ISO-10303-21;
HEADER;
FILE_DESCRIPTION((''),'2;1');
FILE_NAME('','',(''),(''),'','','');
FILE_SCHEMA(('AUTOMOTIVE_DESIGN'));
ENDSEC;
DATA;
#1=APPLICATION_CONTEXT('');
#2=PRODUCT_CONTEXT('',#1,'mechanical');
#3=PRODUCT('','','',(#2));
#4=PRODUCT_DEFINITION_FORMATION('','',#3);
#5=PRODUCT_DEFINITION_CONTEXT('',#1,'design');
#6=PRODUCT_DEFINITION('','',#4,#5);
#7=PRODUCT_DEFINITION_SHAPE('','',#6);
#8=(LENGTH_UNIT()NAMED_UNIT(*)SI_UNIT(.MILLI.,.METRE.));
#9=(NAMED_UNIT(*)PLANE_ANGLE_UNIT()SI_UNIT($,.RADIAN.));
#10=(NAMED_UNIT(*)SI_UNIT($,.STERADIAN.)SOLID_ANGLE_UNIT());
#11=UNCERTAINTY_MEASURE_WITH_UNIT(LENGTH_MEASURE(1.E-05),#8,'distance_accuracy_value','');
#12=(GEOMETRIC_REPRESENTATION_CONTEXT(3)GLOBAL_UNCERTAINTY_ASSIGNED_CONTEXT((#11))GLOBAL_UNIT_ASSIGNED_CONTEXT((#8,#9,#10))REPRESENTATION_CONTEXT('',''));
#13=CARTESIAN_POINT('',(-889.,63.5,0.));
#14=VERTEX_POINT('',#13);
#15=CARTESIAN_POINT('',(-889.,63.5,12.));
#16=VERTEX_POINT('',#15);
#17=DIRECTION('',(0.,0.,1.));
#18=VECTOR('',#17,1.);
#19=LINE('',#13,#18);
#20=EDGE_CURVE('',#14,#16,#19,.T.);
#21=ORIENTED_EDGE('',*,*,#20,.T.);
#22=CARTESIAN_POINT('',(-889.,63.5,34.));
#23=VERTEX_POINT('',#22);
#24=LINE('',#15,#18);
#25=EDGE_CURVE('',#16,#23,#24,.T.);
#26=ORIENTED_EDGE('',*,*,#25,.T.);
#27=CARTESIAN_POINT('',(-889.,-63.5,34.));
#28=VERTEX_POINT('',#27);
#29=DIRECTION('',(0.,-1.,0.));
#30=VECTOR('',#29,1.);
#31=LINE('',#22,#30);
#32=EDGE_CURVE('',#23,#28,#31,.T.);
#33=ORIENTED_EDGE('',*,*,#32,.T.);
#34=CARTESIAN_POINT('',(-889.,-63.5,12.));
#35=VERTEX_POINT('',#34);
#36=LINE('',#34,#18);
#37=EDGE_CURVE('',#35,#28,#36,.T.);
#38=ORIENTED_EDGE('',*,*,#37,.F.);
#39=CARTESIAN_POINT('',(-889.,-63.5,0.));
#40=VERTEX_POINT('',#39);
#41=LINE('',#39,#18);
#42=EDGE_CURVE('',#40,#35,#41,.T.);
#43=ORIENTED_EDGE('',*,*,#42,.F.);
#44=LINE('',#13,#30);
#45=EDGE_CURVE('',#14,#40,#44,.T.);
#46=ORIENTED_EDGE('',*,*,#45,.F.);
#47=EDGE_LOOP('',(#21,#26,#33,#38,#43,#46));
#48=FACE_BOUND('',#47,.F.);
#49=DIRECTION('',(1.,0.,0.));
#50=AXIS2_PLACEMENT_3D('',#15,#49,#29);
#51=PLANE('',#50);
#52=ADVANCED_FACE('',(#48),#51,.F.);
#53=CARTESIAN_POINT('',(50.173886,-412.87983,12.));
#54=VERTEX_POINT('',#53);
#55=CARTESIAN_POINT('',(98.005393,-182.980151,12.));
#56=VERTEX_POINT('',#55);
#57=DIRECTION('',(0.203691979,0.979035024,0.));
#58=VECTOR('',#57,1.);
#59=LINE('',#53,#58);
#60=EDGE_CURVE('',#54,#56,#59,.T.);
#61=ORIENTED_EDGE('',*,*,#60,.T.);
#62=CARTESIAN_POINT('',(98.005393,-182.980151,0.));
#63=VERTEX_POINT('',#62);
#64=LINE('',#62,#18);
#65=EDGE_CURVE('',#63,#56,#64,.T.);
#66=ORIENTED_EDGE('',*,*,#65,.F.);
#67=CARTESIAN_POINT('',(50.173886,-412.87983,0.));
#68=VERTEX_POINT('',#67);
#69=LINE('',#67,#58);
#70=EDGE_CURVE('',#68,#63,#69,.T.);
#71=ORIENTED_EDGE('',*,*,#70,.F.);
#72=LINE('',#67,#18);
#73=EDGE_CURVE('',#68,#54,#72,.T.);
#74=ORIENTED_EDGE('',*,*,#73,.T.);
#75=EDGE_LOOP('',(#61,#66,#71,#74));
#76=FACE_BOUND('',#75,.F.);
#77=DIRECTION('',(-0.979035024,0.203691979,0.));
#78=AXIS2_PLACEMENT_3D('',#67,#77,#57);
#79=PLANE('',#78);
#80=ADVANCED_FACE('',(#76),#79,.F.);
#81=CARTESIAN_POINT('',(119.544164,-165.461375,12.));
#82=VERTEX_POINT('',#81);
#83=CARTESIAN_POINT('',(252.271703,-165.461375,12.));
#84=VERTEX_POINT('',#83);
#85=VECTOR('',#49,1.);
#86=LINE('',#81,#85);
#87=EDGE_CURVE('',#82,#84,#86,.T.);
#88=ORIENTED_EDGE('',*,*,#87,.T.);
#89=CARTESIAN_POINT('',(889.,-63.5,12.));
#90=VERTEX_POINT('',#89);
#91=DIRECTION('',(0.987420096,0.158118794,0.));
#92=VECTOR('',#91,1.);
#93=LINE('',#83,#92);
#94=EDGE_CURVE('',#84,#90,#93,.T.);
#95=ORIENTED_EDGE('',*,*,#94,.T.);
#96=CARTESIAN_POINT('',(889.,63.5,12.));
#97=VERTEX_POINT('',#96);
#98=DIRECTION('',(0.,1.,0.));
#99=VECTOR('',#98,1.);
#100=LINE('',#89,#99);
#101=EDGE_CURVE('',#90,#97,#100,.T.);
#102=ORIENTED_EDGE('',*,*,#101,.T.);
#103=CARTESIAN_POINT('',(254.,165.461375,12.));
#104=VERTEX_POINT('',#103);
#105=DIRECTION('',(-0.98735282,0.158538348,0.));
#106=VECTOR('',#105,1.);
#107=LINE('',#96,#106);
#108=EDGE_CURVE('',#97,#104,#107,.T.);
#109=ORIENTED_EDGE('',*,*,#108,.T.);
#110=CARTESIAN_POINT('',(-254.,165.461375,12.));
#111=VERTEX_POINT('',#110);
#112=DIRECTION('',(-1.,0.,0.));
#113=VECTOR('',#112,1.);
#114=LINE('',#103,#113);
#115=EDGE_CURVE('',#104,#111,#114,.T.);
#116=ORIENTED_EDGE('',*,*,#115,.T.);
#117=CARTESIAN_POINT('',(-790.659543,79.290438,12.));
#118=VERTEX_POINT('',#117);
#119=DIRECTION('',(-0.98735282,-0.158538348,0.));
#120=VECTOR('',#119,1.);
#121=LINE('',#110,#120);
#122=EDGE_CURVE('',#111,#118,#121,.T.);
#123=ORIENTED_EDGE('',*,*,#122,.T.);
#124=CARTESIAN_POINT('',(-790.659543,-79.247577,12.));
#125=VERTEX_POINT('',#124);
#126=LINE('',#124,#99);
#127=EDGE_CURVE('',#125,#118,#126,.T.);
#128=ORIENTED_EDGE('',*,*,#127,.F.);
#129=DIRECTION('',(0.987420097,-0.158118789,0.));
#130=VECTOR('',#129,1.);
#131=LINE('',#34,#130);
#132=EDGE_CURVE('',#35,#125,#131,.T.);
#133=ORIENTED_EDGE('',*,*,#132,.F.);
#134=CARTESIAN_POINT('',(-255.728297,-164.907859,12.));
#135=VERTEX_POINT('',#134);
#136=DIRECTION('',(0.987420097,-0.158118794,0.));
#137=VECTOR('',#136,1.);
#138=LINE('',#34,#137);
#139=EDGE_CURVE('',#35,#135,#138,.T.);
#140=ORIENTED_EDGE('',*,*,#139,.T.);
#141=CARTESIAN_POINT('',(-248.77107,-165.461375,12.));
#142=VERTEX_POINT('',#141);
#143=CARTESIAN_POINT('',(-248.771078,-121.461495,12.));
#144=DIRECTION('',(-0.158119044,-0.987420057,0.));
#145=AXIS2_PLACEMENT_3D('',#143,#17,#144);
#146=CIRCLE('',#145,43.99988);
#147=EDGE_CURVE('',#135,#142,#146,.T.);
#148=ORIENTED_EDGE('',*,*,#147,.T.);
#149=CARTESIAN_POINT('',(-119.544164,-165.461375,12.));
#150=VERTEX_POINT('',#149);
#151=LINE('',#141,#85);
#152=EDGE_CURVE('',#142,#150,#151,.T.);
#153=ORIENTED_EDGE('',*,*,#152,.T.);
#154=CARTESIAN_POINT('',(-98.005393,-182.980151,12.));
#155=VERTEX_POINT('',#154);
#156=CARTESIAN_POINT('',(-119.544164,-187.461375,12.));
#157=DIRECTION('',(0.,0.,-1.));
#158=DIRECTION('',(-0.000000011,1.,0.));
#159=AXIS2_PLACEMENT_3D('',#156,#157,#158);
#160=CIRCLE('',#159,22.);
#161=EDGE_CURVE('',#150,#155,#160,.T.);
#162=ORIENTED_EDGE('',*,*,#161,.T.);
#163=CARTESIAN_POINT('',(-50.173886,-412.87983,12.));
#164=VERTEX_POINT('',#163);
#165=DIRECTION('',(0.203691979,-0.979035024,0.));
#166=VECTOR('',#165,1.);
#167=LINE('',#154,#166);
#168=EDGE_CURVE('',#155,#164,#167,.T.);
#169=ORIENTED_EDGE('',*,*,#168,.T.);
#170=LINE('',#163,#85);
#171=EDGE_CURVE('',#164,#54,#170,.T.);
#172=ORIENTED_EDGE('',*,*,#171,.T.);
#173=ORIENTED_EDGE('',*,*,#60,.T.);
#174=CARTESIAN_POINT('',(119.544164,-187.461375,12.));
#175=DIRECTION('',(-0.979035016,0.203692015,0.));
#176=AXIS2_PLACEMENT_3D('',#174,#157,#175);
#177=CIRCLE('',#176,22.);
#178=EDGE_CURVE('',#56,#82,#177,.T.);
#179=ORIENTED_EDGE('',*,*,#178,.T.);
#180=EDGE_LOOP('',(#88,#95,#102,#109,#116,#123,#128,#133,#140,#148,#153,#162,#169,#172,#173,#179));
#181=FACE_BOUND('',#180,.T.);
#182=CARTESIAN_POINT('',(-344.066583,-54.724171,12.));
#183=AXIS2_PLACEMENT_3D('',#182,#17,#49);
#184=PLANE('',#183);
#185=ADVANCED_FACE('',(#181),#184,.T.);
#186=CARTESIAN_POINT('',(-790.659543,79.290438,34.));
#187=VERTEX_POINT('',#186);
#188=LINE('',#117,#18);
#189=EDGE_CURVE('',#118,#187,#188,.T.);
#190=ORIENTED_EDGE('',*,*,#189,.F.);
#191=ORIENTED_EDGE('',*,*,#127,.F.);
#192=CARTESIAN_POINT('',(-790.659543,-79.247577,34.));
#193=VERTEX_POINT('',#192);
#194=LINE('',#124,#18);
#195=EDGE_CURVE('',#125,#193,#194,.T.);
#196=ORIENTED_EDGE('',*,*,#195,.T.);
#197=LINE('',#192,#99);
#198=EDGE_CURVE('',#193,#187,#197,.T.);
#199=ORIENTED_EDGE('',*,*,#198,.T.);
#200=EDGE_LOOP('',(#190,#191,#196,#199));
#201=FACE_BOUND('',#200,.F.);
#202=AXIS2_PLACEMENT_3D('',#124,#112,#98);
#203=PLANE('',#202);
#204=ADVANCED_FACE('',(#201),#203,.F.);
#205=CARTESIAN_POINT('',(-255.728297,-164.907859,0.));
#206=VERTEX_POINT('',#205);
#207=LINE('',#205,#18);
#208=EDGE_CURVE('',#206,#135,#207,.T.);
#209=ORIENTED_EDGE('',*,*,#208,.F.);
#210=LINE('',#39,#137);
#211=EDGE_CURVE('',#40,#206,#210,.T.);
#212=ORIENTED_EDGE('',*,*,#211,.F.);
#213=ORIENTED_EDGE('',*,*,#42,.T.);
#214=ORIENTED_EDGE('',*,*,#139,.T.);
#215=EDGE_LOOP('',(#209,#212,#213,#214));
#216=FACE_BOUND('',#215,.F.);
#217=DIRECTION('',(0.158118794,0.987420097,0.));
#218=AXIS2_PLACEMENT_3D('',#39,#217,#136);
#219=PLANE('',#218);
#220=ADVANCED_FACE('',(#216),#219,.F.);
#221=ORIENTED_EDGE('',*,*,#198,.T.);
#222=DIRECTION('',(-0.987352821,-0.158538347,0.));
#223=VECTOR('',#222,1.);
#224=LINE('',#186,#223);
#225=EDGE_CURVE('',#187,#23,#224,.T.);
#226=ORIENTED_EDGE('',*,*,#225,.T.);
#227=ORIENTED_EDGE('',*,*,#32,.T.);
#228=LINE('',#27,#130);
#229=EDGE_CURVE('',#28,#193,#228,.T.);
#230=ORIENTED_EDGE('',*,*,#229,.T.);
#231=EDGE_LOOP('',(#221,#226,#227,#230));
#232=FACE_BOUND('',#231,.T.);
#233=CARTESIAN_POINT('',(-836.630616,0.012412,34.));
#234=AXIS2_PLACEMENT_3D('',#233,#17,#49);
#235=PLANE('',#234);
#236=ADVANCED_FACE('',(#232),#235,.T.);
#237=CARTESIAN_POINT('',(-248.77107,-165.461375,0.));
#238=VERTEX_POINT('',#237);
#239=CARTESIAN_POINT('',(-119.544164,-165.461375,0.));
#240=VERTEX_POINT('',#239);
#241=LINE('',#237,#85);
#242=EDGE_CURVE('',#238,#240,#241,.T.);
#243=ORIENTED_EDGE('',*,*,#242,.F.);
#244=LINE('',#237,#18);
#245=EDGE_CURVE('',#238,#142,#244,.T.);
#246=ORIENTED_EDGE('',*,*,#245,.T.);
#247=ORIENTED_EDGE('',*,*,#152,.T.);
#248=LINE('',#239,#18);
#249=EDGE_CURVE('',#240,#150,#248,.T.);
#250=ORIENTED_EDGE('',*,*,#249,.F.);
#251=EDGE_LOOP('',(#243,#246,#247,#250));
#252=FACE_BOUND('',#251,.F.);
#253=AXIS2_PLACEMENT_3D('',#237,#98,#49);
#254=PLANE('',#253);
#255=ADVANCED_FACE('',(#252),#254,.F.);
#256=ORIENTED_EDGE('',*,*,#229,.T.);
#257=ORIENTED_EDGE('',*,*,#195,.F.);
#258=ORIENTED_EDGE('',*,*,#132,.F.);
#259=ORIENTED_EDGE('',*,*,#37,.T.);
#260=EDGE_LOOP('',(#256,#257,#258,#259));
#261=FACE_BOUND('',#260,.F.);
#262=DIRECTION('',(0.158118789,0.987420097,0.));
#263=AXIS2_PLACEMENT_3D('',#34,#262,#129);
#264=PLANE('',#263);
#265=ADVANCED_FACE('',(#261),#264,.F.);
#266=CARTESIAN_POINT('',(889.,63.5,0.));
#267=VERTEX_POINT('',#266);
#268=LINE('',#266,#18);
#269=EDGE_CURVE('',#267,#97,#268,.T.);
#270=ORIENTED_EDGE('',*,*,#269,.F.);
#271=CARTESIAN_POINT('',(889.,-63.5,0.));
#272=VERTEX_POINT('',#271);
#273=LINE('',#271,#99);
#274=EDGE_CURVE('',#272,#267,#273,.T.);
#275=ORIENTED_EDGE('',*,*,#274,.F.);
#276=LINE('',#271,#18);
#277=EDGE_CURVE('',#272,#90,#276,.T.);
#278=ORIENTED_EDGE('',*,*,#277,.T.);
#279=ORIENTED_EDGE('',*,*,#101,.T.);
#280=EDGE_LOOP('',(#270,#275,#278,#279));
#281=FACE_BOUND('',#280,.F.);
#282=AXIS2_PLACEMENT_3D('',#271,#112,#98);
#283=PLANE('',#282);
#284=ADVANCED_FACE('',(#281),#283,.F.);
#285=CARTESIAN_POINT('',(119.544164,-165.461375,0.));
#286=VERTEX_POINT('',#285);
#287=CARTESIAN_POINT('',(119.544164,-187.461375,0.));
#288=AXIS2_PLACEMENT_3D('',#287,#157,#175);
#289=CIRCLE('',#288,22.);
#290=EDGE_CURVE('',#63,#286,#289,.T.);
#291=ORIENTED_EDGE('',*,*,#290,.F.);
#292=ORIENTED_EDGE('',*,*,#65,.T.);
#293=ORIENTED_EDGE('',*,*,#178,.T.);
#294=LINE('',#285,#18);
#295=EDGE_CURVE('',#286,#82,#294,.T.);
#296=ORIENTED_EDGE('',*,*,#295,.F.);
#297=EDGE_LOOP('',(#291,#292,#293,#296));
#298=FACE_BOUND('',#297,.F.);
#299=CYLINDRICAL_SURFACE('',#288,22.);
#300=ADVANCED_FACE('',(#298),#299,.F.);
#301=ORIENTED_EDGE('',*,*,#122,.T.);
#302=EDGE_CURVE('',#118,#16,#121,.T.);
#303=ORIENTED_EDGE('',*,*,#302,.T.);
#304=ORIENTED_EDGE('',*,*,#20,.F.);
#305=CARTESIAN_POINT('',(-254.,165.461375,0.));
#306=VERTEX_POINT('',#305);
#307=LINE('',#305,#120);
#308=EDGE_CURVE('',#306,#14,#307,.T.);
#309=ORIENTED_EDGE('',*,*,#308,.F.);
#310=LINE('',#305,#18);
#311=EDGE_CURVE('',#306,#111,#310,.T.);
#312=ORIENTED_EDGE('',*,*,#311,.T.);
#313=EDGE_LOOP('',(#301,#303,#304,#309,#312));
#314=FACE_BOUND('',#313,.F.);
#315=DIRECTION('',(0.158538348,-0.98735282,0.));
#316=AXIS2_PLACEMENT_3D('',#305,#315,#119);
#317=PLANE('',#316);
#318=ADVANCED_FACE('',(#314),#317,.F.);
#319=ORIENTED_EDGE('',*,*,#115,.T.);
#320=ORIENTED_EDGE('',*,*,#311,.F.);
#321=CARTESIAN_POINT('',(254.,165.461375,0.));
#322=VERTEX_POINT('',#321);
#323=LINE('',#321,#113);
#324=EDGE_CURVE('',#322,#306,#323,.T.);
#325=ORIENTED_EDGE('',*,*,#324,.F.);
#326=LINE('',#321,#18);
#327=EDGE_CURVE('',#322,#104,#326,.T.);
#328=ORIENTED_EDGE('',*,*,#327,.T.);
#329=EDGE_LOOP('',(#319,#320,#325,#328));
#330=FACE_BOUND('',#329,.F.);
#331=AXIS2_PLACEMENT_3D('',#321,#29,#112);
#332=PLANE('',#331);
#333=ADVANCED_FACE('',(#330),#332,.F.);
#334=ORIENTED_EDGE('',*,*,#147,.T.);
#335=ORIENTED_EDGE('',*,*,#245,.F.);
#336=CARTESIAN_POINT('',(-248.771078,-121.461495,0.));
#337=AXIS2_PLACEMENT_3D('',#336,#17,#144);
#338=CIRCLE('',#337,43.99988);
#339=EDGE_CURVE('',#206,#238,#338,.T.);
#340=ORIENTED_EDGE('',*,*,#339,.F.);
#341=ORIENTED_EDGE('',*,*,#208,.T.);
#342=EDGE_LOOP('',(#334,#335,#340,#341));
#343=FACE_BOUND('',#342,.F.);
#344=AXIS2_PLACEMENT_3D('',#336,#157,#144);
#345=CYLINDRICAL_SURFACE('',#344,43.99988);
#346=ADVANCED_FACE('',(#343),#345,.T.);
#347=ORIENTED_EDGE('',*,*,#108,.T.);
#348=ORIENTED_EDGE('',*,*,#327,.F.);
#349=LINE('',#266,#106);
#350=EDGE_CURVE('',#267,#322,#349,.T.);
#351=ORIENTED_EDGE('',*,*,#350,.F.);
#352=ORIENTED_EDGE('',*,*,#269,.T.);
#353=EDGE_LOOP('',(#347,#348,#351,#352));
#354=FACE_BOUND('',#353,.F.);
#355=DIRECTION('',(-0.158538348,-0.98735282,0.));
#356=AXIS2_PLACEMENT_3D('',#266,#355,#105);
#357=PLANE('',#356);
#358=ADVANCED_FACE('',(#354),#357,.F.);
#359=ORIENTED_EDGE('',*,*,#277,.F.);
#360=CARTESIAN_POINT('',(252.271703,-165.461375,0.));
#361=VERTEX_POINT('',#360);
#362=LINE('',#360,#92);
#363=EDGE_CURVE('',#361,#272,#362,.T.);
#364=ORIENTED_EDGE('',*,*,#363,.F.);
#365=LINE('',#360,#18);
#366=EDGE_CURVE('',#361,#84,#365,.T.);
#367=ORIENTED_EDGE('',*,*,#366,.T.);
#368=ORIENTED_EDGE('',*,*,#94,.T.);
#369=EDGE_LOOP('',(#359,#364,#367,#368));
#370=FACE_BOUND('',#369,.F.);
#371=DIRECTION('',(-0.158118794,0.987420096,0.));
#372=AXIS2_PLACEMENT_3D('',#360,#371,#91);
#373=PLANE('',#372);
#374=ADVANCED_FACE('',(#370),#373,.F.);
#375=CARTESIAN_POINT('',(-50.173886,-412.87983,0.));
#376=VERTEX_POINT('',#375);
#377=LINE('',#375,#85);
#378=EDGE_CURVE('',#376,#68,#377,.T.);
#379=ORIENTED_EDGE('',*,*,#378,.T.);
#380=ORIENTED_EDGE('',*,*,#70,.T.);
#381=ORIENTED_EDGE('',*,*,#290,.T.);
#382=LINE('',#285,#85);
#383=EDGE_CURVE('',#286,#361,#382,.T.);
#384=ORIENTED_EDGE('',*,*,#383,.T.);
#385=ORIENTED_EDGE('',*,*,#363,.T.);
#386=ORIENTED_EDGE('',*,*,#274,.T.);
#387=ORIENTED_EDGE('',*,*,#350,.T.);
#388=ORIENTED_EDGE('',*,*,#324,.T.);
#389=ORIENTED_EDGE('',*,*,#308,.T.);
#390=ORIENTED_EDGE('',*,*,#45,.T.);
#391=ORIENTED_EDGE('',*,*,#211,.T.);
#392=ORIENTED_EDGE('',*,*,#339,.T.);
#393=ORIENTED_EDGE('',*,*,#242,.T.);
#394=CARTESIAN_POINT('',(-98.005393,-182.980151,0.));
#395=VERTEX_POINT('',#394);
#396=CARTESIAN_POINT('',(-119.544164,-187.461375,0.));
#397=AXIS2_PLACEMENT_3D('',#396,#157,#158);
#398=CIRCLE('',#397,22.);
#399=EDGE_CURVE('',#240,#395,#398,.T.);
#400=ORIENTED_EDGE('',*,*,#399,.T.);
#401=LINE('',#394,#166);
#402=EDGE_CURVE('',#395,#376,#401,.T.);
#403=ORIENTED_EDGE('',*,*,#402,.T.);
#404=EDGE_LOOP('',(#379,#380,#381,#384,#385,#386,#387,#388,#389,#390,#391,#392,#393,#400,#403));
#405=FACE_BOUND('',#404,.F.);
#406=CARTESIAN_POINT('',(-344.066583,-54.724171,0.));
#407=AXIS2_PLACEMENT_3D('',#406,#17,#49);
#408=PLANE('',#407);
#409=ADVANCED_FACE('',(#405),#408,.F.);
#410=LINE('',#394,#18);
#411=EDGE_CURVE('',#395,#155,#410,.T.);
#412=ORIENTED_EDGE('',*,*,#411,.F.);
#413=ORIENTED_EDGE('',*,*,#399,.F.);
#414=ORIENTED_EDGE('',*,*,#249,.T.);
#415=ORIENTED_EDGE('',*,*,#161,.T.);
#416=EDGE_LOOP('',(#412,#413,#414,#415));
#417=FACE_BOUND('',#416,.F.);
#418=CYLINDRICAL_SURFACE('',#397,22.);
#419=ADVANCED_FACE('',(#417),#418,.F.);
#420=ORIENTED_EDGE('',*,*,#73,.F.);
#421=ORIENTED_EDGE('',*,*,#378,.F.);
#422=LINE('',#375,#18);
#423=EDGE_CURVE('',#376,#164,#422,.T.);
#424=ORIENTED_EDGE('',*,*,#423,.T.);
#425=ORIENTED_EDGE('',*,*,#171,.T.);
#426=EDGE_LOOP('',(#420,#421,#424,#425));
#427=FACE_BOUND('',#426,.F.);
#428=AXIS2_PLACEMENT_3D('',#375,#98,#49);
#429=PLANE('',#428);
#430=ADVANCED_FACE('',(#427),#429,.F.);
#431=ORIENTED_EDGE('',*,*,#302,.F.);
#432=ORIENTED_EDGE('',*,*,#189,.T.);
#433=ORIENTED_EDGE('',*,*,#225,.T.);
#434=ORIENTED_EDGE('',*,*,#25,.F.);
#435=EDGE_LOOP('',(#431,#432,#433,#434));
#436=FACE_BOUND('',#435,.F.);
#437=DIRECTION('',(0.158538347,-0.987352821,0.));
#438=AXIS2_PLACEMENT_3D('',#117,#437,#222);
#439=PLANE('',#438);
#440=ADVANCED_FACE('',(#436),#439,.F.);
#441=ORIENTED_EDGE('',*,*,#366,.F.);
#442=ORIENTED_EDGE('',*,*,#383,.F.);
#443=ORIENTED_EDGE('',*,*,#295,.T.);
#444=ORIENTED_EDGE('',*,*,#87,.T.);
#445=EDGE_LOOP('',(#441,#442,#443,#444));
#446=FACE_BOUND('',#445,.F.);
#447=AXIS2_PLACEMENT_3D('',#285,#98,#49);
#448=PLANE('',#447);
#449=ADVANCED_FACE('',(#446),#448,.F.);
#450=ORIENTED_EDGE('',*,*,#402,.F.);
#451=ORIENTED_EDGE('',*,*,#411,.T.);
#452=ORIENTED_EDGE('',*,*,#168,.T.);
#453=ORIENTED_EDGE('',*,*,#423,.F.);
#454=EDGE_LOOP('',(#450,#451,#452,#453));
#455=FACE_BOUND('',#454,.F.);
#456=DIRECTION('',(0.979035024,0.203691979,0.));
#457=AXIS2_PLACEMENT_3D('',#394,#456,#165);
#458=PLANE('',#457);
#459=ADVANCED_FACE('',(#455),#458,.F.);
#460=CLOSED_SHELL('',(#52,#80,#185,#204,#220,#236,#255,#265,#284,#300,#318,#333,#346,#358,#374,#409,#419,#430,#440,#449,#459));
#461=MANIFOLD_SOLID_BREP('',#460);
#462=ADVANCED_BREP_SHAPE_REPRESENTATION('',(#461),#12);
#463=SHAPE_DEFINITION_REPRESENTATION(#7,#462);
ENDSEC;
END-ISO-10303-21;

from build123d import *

# Parameters (mm, degrees)
F1_DEPTH = 12
F3_DEPTH = 22


with BuildPart() as f1:
    # F0 (on Top) → F1 (new body)
    with BuildSketch(Plane.XY):
        with BuildLine():
            Line((0, 165.461375), (-254, 165.461375))
            Line((-254, 165.461375), (-889, 63.5))
            Line((-889, 63.5), (-889, -63.5))
            Line((-889, -63.5), (-255.728297, -164.907859))
            ThreePointArc((-255.728297, -164.907859), (-252.260676, -165.322778), (-248.77107, -165.461375))
            Line((-248.77107, -165.461375), (-119.544164, -165.461375))
            ThreePointArc((-119.544164, -165.461375), (-105.662285, -170.394054), (-98.005393, -182.980151))
            Line((-98.005393, -182.980151), (-50.173886, -412.87983))
            Line((-50.173886, -412.87983), (0, -412.87983))
            Line((0, -412.87983), (0, -165.461375))
            Line((0, -165.461375), (0, 165.461375))
        make_face()
        with BuildLine():
            Line((254, 165.461375), (0, 165.461375))
            Line((0, 165.461375), (0, -165.461375))
            Line((0, -165.461375), (0, -412.87983))
            Line((0, -412.87983), (50.173886, -412.87983))
            Line((50.173886, -412.87983), (98.005393, -182.980151))
            ThreePointArc((98.005393, -182.980151), (105.662285, -170.394054), (119.544164, -165.461375))
            Line((119.544164, -165.461375), (252.271703, -165.461375))
            Line((252.271703, -165.461375), (889, -63.5))
            Line((889, -63.5), (889, 63.5))
            Line((889, 63.5), (254, 165.461375))
        make_face()
    extrude(amount=F1_DEPTH)

    # F2 (on face) → F3 (join)
    with BuildSketch(Plane.XY.offset(12)):
        Polygon((-889, -63.5), (-790.659543, -79.247577), (-790.659543, 79.290438), (-889, 63.5), align=None)
    extrude(amount=F3_DEPTH)


solid = f1.part
